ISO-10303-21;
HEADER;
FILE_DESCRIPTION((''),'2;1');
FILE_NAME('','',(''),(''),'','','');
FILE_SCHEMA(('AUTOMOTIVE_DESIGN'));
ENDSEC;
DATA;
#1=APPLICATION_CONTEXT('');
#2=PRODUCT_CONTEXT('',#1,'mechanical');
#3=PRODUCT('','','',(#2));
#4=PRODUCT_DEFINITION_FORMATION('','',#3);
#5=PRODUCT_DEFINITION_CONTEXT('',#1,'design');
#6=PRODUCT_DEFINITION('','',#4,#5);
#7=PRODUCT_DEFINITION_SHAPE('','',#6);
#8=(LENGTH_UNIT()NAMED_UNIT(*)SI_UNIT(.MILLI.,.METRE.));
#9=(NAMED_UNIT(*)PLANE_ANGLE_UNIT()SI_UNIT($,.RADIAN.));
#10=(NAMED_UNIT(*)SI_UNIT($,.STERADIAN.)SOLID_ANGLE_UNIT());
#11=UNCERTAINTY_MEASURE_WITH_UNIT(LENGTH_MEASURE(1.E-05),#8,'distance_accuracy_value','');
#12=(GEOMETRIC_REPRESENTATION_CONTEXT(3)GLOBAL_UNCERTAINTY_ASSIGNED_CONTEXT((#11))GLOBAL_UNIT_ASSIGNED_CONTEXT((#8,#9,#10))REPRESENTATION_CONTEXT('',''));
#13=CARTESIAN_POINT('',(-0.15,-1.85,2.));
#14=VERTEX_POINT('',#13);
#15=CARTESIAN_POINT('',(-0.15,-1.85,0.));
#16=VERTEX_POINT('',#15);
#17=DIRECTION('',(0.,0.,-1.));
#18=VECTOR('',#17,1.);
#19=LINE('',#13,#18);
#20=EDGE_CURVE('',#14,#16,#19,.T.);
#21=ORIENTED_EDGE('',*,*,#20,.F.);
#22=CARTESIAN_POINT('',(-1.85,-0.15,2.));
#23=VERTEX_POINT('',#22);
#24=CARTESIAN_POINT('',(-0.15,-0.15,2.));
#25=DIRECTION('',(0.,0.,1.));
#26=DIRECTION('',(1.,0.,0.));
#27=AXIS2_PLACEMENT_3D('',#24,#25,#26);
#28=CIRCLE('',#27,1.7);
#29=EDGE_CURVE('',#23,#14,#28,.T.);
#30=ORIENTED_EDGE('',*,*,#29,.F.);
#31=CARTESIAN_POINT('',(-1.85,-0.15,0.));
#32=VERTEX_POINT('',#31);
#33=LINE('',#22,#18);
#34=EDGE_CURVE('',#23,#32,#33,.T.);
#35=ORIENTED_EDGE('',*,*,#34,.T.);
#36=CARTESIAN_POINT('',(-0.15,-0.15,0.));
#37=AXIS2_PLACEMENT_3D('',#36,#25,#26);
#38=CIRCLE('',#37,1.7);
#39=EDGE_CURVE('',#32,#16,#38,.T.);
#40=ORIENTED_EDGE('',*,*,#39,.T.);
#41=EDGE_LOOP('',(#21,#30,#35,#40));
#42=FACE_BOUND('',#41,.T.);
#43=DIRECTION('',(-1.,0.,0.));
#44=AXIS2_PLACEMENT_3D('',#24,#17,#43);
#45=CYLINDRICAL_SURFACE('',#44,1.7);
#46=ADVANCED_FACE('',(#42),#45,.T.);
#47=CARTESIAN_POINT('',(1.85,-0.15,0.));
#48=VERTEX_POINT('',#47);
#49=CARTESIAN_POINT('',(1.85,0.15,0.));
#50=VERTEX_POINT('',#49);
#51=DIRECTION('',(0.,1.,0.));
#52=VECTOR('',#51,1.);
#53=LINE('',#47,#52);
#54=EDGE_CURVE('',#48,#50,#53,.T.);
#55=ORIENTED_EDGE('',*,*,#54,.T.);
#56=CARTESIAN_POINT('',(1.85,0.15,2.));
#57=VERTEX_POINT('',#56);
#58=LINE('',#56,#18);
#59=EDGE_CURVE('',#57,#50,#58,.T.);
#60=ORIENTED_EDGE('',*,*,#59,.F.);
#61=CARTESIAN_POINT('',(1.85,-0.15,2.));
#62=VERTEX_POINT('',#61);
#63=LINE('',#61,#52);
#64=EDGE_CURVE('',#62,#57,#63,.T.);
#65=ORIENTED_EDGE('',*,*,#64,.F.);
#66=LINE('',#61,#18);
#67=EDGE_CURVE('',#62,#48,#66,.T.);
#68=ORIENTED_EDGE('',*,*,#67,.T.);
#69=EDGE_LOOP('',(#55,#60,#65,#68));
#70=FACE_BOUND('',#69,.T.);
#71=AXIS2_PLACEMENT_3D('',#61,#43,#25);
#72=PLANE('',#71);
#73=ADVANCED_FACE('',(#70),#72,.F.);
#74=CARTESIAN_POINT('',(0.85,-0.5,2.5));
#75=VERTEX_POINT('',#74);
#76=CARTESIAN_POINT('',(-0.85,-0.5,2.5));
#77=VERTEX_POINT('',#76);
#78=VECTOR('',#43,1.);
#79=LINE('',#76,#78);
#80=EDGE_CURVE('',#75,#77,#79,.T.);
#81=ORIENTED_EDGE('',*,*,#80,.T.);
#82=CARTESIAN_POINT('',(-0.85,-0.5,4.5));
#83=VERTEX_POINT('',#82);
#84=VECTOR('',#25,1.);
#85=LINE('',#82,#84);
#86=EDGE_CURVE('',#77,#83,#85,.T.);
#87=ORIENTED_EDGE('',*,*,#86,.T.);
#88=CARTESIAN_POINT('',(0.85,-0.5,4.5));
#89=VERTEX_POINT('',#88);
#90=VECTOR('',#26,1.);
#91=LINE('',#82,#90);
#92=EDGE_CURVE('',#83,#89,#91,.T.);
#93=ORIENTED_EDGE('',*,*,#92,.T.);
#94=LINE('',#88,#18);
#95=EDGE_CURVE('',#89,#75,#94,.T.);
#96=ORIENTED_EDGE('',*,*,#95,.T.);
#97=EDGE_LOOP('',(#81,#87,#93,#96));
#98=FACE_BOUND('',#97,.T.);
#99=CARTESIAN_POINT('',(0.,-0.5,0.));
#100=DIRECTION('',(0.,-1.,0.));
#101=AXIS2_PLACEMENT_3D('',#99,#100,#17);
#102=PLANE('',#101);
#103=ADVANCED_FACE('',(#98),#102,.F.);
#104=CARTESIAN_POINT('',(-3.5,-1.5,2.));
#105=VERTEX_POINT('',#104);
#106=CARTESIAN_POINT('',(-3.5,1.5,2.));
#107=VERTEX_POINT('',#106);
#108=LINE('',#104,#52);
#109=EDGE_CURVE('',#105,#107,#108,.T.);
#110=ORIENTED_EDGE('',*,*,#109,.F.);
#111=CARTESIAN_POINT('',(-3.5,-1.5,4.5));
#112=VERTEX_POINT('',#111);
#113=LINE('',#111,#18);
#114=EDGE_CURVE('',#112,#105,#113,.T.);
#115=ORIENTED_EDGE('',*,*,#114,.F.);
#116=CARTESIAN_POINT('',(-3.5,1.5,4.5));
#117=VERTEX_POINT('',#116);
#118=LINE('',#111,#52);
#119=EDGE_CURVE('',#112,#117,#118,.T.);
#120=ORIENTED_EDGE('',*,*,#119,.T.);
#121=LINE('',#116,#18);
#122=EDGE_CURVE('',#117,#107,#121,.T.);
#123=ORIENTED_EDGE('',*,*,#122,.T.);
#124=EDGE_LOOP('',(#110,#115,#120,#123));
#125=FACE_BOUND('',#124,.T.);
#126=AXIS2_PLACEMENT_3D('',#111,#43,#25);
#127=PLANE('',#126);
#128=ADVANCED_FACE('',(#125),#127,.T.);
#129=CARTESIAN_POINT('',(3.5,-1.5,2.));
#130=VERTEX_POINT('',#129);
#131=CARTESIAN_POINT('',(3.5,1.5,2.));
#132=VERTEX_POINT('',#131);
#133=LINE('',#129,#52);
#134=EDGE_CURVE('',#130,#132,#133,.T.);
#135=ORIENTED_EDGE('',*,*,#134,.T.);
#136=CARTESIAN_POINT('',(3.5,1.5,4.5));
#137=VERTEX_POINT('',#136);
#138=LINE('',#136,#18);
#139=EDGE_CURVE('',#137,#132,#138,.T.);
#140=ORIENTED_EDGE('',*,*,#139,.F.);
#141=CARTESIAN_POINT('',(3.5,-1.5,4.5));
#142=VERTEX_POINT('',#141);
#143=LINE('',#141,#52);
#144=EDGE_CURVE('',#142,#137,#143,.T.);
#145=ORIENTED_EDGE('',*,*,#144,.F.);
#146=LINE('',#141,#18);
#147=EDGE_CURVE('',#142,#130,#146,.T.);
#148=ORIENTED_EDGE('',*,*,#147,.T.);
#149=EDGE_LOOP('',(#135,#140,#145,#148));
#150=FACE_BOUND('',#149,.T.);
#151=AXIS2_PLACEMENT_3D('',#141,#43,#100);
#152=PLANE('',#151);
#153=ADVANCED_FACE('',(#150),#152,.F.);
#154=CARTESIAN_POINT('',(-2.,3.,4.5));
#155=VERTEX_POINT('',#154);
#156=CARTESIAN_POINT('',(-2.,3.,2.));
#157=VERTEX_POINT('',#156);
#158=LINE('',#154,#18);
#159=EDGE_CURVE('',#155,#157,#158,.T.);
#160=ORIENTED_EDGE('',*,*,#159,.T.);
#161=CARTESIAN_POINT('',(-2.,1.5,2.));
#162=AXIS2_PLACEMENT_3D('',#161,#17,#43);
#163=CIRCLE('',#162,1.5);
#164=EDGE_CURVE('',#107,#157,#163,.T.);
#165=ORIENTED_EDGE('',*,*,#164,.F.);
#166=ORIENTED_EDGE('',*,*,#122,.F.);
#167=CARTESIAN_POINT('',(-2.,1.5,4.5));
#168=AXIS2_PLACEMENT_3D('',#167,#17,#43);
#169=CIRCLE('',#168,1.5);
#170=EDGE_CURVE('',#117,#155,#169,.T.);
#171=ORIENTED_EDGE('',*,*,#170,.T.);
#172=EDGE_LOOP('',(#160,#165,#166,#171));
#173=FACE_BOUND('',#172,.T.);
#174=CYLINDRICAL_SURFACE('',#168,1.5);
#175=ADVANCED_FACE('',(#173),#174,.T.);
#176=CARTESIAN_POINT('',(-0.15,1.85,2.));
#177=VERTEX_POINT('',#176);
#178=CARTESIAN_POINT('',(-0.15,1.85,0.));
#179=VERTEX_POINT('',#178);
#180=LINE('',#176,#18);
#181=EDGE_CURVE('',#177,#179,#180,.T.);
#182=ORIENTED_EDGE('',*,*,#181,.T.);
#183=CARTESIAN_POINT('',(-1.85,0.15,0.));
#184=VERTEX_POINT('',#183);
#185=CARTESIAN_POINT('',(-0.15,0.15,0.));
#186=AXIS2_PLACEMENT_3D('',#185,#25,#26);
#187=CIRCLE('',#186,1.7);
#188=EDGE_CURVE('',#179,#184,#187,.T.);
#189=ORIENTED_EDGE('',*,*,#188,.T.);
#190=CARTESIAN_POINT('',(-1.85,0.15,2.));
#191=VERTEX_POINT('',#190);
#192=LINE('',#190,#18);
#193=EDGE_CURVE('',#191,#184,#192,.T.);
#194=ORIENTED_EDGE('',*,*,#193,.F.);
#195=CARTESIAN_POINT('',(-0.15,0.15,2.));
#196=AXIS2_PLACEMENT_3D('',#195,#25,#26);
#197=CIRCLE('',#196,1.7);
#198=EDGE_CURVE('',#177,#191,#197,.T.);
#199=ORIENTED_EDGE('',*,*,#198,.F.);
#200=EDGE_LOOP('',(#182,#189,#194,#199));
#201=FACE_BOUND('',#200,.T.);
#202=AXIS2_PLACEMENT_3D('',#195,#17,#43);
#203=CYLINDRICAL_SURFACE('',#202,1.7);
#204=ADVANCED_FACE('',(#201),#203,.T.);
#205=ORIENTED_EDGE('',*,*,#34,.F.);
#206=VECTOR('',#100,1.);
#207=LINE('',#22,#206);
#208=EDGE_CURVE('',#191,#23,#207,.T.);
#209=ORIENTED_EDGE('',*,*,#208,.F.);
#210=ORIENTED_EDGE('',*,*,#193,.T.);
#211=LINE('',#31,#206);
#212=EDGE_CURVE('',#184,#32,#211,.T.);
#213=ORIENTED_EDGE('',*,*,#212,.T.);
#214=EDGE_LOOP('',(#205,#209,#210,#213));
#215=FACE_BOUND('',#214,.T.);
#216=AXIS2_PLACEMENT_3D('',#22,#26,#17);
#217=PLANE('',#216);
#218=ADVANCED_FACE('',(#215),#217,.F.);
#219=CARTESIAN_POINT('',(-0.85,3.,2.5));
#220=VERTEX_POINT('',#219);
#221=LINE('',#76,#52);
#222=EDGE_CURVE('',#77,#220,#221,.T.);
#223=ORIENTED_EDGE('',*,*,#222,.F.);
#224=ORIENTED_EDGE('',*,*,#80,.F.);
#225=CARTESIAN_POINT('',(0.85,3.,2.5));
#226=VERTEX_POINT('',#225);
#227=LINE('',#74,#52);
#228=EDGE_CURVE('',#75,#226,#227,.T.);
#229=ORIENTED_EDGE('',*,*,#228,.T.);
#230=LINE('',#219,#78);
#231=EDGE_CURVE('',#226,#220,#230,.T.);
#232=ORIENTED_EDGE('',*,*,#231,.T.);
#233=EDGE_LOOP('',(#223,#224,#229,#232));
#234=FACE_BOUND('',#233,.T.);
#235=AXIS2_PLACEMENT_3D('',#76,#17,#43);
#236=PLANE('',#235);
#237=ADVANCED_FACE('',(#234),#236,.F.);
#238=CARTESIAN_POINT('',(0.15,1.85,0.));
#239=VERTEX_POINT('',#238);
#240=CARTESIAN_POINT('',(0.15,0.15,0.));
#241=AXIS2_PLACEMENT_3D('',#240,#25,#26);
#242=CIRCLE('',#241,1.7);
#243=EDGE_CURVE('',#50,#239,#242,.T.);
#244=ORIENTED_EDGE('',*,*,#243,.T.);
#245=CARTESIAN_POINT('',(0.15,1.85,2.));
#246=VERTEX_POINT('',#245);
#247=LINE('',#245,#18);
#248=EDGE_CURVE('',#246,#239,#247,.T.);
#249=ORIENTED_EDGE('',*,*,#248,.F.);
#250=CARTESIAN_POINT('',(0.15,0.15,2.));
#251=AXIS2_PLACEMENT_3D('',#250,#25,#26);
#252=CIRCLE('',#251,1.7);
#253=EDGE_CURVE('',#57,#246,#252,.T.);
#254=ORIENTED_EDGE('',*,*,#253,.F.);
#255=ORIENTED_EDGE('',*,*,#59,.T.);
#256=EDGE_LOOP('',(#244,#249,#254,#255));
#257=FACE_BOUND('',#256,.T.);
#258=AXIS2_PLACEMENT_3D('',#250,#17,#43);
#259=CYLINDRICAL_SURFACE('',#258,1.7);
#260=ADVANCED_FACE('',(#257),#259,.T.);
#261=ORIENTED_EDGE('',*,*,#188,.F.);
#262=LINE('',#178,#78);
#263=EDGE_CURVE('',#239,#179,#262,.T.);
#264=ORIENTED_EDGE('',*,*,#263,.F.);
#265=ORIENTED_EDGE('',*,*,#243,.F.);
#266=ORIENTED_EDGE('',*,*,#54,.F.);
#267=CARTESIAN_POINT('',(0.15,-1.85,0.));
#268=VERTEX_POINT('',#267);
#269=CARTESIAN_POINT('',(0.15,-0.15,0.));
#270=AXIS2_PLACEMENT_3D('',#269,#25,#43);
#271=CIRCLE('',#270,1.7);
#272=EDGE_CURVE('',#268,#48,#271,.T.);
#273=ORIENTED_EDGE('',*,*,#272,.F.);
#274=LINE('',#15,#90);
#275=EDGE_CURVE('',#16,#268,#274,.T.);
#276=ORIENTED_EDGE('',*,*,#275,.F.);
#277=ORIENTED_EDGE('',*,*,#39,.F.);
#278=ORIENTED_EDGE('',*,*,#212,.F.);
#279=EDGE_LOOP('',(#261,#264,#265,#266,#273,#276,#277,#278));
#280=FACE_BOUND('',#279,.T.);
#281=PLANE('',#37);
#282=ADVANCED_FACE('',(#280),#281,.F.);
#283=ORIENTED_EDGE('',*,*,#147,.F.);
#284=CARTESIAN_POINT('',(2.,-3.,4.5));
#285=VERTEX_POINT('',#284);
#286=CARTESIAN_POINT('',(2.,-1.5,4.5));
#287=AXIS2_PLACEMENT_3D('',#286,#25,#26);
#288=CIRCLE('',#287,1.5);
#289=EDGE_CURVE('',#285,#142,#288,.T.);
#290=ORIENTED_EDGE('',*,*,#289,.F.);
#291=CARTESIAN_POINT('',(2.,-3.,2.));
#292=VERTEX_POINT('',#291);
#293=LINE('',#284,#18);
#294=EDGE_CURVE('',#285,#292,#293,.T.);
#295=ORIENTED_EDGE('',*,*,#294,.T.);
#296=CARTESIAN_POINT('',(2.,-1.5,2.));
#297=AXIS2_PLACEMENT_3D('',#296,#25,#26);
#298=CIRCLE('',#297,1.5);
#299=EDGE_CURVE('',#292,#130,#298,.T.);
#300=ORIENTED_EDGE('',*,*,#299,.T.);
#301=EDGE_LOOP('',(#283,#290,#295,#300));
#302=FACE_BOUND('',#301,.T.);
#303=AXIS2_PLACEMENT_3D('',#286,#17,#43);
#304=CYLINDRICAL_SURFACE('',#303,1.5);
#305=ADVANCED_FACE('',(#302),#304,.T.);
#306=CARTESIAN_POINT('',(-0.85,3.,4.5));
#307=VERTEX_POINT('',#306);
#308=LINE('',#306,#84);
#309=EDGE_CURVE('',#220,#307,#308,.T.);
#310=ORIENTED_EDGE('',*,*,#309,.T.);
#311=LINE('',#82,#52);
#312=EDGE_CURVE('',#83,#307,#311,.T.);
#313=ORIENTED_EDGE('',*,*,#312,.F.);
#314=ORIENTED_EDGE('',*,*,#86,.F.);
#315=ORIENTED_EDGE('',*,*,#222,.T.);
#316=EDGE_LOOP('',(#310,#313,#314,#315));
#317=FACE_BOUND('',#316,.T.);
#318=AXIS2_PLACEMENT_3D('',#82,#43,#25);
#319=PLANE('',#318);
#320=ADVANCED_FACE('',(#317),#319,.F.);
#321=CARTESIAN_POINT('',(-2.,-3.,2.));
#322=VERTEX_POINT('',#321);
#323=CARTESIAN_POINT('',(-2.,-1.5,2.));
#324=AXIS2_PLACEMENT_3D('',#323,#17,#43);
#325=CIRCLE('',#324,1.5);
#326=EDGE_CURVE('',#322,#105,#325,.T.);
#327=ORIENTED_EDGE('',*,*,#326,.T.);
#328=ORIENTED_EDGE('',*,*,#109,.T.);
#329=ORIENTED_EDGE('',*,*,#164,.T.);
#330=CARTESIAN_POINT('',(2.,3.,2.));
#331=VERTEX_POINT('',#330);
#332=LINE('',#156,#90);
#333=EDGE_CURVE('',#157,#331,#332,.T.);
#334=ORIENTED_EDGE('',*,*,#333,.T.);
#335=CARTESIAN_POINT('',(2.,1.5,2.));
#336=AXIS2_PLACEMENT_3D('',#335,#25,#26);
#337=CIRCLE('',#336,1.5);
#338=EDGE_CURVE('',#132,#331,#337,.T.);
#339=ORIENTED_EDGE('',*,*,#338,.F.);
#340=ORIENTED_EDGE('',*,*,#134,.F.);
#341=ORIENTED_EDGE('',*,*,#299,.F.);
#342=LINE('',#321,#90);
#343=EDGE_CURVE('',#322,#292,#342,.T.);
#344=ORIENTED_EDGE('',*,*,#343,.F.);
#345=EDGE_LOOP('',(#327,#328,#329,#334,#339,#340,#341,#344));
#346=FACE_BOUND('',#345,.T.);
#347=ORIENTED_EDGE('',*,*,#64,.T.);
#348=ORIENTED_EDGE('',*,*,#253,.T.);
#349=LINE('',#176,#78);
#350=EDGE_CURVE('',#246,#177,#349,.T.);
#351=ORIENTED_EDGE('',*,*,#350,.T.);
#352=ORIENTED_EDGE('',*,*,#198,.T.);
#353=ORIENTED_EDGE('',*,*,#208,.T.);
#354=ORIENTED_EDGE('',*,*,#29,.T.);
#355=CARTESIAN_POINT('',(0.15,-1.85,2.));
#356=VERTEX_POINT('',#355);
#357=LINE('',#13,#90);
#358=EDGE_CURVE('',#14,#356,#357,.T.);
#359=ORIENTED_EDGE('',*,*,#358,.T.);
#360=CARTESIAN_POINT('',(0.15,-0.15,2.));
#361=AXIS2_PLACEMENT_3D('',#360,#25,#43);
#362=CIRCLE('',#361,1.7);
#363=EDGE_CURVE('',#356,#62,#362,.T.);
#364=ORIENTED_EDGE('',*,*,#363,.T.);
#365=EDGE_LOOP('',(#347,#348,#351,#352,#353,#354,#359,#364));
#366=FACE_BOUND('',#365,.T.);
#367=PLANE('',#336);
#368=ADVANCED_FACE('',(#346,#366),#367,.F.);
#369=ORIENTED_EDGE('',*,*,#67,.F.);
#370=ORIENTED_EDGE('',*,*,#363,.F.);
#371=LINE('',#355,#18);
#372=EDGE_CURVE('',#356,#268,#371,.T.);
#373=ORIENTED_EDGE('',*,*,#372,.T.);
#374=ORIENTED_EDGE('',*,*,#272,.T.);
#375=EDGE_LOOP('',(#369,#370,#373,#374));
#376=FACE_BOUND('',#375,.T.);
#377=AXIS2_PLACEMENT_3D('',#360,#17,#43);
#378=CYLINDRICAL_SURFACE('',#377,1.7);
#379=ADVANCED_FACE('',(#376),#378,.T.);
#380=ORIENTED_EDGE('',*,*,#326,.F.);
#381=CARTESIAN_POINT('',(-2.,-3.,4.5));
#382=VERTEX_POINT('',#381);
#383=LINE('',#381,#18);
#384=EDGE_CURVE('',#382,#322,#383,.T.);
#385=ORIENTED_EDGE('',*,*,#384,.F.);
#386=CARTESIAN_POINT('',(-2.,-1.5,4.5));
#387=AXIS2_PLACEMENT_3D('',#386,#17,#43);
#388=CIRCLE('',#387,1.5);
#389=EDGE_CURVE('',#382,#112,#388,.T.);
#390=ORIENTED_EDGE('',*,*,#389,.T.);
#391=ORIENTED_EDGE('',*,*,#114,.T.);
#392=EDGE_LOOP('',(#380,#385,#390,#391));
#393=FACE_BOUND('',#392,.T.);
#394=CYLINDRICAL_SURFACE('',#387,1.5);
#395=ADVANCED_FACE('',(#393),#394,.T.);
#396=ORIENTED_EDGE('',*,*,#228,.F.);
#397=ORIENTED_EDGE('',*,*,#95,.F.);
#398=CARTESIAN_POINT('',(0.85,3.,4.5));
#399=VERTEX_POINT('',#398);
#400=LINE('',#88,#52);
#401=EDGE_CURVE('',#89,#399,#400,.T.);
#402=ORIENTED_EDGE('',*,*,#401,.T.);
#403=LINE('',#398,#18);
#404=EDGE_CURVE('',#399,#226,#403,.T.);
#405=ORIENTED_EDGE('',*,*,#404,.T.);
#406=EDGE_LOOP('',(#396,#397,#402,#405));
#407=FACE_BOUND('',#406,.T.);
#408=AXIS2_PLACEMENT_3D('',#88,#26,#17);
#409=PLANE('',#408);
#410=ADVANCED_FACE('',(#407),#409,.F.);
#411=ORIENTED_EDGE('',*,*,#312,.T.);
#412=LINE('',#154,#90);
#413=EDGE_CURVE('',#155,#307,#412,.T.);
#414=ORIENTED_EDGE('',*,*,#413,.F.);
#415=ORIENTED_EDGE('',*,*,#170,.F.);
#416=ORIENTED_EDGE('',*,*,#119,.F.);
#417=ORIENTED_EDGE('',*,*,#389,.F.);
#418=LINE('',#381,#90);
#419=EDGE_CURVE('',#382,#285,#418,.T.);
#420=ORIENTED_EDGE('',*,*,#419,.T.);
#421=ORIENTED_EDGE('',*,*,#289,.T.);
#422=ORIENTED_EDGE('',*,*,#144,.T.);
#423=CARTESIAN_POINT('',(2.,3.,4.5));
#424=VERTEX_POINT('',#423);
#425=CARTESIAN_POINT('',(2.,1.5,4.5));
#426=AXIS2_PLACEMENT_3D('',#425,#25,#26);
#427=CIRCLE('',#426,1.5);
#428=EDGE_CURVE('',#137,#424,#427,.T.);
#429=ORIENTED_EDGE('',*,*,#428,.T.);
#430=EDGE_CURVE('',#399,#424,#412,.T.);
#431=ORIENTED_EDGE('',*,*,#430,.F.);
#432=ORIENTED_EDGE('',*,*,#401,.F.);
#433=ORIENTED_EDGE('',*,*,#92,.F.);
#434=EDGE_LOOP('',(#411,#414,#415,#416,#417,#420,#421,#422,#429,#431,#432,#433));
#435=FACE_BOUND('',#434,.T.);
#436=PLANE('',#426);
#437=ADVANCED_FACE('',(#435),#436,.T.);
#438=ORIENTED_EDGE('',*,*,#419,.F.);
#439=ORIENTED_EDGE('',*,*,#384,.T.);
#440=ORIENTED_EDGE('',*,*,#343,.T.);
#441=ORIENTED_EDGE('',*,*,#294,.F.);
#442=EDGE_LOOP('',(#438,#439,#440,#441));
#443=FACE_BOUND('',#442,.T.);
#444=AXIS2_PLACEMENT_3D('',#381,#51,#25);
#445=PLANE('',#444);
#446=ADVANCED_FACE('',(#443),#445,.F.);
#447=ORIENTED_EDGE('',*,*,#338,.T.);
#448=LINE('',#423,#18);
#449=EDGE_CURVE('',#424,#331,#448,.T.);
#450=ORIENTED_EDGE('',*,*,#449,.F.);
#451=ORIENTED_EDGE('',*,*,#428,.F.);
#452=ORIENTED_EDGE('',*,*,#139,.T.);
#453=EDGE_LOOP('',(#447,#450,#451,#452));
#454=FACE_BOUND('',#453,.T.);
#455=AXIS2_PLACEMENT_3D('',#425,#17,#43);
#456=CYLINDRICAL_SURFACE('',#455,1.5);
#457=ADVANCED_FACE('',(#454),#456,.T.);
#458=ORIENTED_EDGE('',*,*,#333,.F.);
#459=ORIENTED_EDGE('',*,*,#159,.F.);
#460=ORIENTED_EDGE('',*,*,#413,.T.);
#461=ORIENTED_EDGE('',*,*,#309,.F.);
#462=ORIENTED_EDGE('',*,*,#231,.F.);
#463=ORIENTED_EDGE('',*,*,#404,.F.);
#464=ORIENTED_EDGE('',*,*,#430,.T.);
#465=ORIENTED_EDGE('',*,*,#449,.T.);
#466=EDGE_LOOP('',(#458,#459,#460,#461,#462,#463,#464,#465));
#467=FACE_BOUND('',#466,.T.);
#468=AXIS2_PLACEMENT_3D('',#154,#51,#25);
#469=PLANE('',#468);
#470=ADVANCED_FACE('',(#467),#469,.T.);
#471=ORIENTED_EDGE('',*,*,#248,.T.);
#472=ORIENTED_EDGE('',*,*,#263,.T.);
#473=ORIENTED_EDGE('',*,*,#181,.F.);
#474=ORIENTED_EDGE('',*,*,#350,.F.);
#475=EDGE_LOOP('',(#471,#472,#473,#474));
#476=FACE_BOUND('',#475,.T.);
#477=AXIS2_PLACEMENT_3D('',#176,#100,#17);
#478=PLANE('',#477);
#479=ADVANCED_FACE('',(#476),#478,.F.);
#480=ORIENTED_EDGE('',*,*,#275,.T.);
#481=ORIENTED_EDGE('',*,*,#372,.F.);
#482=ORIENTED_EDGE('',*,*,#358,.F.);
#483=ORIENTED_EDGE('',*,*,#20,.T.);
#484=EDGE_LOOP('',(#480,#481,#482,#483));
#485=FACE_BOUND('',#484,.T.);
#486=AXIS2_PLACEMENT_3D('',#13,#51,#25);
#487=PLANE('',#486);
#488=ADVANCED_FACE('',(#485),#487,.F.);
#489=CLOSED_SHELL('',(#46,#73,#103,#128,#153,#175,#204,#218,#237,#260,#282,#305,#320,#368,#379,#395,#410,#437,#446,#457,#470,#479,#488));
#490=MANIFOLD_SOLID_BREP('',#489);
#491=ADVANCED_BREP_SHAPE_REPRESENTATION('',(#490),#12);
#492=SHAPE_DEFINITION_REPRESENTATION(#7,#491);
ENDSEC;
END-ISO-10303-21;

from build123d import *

# Parameters (mm, degrees)
EXTRUDE_1_DEPTH     = 2
EXTRUDE_2_DEPTH     = 2.5
SKETCH_4_W          = 1.7
SKETCH_4_H          = 2
CUT_EXTRUDE_1_DEPTH = 3.5


with BuildPart() as part:
    # Эскиз1 → Бобышка-Вытянуть1 (new body)
    with BuildSketch(Plane.XY):
        with BuildLine():
            Line((-0.15, -1.85), (0.15, -1.85))
            ThreePointArc((0.15, -1.85), (1.352081528, -1.352081528), (1.85, -0.15))
            Line((1.85, -0.15), (1.85, 0.15))
            ThreePointArc((1.85, 0.15), (1.352081528, 1.352081528), (0.15, 1.85))
            Line((0.15, 1.85), (-0.15, 1.85))
            ThreePointArc((-0.15, 1.85), (-1.352081528, 1.352081528), (-1.85, 0.15))
            Line((-1.85, 0.15), (-1.85, -0.15))
            ThreePointArc((-1.85, -0.15), (-1.352081528, -1.352081528), (-0.15, -1.85))
        make_face()
    extrude(amount=EXTRUDE_1_DEPTH)

    # Эскиз2 → Бобышка-Вытянуть2 (add)
    with BuildSketch(Plane.XY.offset(2)):
        with BuildLine():
            Line((-2, -3), (2, -3))
            ThreePointArc((2, -3), (3.060660172, -2.560660172), (3.5, -1.5))
            Line((3.5, -1.5), (3.5, 1.5))
            ThreePointArc((3.5, 1.5), (3.060660172, 2.560660172), (2, 3))
            Line((2, 3), (-2, 3))
            ThreePointArc((-2, 3), (-3.060660172, 2.560660172), (-3.5, 1.5))
            Line((-3.5, 1.5), (-3.5, -1.5))
            ThreePointArc((-3.5, -1.5), (-3.060660172, -2.560660172), (-2, -3))
        make_face()
    extrude(amount=EXTRUDE_2_DEPTH)

    # Эскиз4 → Вырез-Вытянуть1 (cut)
    with BuildSketch(Plane(origin=(0, 3, 0), x_dir=(1, 0, 0), z_dir=(0, 1, 0))):
        with Locations((0, -3.5)):
            Rectangle(SKETCH_4_W, SKETCH_4_H)
    extrude(amount=-CUT_EXTRUDE_1_DEPTH, mode=Mode.SUBTRACT)


solid = part.part
